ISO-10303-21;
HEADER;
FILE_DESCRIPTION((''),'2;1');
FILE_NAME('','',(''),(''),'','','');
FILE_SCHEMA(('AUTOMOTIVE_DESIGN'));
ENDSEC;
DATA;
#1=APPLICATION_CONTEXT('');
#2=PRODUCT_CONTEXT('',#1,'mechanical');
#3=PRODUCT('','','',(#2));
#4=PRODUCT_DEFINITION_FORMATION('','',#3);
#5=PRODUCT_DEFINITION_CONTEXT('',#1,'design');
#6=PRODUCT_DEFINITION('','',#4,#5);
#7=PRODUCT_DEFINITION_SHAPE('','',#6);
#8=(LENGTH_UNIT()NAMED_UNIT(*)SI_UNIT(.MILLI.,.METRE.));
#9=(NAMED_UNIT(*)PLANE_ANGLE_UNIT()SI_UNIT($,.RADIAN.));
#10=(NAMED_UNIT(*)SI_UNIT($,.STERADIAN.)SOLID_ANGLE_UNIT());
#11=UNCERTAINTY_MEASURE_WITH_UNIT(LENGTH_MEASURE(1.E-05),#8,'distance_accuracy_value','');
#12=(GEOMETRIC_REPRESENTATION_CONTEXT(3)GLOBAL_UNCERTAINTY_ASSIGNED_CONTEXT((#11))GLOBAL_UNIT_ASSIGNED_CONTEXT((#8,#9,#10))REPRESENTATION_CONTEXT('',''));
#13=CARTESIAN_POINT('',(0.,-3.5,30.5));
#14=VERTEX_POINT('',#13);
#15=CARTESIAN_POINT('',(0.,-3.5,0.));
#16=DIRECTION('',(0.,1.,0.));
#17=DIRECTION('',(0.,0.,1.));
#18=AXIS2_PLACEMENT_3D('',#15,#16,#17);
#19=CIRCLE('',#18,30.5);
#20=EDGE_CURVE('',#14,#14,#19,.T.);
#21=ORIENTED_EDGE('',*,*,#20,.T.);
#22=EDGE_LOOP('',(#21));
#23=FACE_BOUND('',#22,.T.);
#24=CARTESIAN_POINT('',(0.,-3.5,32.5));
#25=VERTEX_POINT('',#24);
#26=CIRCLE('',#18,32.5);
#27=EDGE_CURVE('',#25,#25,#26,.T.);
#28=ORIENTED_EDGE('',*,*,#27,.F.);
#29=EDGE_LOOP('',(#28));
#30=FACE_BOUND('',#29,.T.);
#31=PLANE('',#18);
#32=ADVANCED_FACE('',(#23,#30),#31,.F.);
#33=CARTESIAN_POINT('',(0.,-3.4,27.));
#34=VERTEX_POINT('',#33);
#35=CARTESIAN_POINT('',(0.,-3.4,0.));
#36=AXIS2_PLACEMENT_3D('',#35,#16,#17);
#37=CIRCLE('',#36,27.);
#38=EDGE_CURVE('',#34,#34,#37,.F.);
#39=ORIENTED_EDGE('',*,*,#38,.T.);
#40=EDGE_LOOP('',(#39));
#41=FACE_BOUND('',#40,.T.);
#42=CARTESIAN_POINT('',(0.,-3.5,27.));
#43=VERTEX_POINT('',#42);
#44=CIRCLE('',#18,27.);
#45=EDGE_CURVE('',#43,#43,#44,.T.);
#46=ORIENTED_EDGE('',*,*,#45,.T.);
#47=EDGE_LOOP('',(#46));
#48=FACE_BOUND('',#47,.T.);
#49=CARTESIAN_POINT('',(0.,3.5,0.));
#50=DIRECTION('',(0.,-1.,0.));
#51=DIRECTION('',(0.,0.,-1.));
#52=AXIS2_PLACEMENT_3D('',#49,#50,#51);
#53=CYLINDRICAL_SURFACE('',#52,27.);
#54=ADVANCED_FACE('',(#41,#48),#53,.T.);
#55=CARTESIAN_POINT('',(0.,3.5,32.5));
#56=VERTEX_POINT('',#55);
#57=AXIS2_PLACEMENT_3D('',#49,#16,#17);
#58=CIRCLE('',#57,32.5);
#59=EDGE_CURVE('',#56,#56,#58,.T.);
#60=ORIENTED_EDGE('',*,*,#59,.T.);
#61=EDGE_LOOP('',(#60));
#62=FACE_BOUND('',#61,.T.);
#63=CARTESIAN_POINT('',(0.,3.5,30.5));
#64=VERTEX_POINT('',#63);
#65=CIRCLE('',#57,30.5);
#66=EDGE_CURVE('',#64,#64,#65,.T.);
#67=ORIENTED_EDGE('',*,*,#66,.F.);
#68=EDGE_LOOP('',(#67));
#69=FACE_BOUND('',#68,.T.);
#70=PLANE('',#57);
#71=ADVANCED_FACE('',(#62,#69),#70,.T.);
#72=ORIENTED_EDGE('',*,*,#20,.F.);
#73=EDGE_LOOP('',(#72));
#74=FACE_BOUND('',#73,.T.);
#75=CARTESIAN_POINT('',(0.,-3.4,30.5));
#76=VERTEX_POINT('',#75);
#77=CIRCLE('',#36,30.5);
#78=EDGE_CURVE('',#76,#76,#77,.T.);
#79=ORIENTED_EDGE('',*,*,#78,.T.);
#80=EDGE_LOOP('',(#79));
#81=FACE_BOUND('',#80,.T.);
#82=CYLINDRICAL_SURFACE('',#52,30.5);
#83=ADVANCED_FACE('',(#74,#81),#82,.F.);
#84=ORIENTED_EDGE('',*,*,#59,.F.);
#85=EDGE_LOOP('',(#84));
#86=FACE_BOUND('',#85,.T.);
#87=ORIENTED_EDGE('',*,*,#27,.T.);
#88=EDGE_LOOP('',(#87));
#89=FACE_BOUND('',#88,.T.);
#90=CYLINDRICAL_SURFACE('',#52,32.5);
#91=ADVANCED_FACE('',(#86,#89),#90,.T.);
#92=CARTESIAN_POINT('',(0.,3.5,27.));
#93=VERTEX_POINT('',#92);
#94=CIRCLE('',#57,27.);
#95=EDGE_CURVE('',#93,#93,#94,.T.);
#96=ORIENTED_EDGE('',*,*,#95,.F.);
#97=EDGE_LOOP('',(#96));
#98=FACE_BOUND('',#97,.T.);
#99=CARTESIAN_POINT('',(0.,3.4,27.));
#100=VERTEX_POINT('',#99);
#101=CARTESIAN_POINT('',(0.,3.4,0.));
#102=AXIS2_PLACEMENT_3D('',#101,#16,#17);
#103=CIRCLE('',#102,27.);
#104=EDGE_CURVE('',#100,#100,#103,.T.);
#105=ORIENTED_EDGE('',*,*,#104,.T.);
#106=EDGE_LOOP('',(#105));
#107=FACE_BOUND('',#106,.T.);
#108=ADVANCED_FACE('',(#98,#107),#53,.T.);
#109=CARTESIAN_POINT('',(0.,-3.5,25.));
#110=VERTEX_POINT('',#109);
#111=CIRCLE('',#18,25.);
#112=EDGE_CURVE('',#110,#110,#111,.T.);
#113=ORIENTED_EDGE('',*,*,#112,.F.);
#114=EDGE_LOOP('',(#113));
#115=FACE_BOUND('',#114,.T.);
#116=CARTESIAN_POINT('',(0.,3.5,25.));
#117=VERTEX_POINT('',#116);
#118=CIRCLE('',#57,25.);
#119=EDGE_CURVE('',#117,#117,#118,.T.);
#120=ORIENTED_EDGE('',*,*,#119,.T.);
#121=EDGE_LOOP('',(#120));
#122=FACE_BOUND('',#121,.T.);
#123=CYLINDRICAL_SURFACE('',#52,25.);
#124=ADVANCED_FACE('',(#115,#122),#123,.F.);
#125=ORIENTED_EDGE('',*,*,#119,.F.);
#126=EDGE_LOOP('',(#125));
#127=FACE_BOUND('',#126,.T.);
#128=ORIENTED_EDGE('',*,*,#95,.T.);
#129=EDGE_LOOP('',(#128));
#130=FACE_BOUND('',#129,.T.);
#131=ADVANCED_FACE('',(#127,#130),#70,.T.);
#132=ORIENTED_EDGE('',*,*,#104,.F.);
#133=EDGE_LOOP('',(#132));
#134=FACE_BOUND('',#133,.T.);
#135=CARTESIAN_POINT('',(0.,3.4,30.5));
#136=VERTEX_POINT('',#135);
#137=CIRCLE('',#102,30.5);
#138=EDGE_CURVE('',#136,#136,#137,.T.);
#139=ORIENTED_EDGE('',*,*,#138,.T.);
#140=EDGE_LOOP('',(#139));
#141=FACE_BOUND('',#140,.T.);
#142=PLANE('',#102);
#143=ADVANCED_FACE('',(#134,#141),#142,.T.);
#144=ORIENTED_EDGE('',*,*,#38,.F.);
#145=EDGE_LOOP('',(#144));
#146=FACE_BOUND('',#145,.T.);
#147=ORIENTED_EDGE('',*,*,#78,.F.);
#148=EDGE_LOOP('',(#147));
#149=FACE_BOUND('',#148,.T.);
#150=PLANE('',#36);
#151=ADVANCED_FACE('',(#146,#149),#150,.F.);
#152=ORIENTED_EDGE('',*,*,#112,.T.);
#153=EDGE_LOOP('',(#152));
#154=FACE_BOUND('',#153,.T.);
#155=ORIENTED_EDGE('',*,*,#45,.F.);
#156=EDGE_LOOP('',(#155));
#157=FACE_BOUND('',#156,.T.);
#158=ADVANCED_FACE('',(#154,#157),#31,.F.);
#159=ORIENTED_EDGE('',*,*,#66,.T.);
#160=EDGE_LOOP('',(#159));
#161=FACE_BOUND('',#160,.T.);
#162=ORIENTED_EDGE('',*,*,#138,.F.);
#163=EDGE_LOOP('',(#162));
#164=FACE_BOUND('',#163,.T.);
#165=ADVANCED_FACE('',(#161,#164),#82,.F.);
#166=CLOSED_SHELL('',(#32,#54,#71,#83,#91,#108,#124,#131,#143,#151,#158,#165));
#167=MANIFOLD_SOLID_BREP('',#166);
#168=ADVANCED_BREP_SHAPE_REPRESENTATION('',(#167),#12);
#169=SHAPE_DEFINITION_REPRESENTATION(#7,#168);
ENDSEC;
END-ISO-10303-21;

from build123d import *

# Parameters (mm, degrees)
SKETCH1_R             = 32.5
SKETCH1_R_2           = 30.5
BOSS_EXTRUDE1_DEPTH   = 3.5
SKETCH1_R_3           = 27
SKETCH1_R_4           = 25
BOSS_EXTRUDE1_2_DEPTH = 3.5
SKETCH1_3_R           = 30.5
SKETCH1_3_R_2         = 27
BOSS_EXTRUDE2_DEPTH   = 3.4


with BuildPart() as part:
    # Sketch1 → Boss-Extrude1 (new, symmetric)
    with BuildSketch(Plane(origin=(0, 0, 0), x_dir=(1, 0, 0), z_dir=(0, 1, 0))):
        Circle(SKETCH1_R)
        Circle(SKETCH1_R_2, mode=Mode.SUBTRACT)
    extrude(amount=BOSS_EXTRUDE1_DEPTH, both=True)



with BuildPart() as body_2:
    # Sketch1 → Boss-Extrude1 2 (new, symmetric)
    with BuildSketch(Plane(origin=(0, 0, 0), x_dir=(1, 0, 0), z_dir=(0, 1, 0))):
        Circle(SKETCH1_R_3)
        Circle(SKETCH1_R_4, mode=Mode.SUBTRACT)
    extrude(amount=BOSS_EXTRUDE1_2_DEPTH, both=True)


with BuildPart() as part_1:
    add(part.part)

    add(body_2.part)  # Boss-Extrude2 merges body 2
    # Sketch1<3> → Boss-Extrude2 (add, symmetric)
    with BuildSketch(Plane(origin=(0, 0, 0), x_dir=(1, 0, 0), z_dir=(0, 1, 0))):
        Circle(SKETCH1_3_R)
        Circle(SKETCH1_3_R_2, mode=Mode.SUBTRACT)
    extrude(amount=BOSS_EXTRUDE2_DEPTH, both=True)


solid = part_1.part
